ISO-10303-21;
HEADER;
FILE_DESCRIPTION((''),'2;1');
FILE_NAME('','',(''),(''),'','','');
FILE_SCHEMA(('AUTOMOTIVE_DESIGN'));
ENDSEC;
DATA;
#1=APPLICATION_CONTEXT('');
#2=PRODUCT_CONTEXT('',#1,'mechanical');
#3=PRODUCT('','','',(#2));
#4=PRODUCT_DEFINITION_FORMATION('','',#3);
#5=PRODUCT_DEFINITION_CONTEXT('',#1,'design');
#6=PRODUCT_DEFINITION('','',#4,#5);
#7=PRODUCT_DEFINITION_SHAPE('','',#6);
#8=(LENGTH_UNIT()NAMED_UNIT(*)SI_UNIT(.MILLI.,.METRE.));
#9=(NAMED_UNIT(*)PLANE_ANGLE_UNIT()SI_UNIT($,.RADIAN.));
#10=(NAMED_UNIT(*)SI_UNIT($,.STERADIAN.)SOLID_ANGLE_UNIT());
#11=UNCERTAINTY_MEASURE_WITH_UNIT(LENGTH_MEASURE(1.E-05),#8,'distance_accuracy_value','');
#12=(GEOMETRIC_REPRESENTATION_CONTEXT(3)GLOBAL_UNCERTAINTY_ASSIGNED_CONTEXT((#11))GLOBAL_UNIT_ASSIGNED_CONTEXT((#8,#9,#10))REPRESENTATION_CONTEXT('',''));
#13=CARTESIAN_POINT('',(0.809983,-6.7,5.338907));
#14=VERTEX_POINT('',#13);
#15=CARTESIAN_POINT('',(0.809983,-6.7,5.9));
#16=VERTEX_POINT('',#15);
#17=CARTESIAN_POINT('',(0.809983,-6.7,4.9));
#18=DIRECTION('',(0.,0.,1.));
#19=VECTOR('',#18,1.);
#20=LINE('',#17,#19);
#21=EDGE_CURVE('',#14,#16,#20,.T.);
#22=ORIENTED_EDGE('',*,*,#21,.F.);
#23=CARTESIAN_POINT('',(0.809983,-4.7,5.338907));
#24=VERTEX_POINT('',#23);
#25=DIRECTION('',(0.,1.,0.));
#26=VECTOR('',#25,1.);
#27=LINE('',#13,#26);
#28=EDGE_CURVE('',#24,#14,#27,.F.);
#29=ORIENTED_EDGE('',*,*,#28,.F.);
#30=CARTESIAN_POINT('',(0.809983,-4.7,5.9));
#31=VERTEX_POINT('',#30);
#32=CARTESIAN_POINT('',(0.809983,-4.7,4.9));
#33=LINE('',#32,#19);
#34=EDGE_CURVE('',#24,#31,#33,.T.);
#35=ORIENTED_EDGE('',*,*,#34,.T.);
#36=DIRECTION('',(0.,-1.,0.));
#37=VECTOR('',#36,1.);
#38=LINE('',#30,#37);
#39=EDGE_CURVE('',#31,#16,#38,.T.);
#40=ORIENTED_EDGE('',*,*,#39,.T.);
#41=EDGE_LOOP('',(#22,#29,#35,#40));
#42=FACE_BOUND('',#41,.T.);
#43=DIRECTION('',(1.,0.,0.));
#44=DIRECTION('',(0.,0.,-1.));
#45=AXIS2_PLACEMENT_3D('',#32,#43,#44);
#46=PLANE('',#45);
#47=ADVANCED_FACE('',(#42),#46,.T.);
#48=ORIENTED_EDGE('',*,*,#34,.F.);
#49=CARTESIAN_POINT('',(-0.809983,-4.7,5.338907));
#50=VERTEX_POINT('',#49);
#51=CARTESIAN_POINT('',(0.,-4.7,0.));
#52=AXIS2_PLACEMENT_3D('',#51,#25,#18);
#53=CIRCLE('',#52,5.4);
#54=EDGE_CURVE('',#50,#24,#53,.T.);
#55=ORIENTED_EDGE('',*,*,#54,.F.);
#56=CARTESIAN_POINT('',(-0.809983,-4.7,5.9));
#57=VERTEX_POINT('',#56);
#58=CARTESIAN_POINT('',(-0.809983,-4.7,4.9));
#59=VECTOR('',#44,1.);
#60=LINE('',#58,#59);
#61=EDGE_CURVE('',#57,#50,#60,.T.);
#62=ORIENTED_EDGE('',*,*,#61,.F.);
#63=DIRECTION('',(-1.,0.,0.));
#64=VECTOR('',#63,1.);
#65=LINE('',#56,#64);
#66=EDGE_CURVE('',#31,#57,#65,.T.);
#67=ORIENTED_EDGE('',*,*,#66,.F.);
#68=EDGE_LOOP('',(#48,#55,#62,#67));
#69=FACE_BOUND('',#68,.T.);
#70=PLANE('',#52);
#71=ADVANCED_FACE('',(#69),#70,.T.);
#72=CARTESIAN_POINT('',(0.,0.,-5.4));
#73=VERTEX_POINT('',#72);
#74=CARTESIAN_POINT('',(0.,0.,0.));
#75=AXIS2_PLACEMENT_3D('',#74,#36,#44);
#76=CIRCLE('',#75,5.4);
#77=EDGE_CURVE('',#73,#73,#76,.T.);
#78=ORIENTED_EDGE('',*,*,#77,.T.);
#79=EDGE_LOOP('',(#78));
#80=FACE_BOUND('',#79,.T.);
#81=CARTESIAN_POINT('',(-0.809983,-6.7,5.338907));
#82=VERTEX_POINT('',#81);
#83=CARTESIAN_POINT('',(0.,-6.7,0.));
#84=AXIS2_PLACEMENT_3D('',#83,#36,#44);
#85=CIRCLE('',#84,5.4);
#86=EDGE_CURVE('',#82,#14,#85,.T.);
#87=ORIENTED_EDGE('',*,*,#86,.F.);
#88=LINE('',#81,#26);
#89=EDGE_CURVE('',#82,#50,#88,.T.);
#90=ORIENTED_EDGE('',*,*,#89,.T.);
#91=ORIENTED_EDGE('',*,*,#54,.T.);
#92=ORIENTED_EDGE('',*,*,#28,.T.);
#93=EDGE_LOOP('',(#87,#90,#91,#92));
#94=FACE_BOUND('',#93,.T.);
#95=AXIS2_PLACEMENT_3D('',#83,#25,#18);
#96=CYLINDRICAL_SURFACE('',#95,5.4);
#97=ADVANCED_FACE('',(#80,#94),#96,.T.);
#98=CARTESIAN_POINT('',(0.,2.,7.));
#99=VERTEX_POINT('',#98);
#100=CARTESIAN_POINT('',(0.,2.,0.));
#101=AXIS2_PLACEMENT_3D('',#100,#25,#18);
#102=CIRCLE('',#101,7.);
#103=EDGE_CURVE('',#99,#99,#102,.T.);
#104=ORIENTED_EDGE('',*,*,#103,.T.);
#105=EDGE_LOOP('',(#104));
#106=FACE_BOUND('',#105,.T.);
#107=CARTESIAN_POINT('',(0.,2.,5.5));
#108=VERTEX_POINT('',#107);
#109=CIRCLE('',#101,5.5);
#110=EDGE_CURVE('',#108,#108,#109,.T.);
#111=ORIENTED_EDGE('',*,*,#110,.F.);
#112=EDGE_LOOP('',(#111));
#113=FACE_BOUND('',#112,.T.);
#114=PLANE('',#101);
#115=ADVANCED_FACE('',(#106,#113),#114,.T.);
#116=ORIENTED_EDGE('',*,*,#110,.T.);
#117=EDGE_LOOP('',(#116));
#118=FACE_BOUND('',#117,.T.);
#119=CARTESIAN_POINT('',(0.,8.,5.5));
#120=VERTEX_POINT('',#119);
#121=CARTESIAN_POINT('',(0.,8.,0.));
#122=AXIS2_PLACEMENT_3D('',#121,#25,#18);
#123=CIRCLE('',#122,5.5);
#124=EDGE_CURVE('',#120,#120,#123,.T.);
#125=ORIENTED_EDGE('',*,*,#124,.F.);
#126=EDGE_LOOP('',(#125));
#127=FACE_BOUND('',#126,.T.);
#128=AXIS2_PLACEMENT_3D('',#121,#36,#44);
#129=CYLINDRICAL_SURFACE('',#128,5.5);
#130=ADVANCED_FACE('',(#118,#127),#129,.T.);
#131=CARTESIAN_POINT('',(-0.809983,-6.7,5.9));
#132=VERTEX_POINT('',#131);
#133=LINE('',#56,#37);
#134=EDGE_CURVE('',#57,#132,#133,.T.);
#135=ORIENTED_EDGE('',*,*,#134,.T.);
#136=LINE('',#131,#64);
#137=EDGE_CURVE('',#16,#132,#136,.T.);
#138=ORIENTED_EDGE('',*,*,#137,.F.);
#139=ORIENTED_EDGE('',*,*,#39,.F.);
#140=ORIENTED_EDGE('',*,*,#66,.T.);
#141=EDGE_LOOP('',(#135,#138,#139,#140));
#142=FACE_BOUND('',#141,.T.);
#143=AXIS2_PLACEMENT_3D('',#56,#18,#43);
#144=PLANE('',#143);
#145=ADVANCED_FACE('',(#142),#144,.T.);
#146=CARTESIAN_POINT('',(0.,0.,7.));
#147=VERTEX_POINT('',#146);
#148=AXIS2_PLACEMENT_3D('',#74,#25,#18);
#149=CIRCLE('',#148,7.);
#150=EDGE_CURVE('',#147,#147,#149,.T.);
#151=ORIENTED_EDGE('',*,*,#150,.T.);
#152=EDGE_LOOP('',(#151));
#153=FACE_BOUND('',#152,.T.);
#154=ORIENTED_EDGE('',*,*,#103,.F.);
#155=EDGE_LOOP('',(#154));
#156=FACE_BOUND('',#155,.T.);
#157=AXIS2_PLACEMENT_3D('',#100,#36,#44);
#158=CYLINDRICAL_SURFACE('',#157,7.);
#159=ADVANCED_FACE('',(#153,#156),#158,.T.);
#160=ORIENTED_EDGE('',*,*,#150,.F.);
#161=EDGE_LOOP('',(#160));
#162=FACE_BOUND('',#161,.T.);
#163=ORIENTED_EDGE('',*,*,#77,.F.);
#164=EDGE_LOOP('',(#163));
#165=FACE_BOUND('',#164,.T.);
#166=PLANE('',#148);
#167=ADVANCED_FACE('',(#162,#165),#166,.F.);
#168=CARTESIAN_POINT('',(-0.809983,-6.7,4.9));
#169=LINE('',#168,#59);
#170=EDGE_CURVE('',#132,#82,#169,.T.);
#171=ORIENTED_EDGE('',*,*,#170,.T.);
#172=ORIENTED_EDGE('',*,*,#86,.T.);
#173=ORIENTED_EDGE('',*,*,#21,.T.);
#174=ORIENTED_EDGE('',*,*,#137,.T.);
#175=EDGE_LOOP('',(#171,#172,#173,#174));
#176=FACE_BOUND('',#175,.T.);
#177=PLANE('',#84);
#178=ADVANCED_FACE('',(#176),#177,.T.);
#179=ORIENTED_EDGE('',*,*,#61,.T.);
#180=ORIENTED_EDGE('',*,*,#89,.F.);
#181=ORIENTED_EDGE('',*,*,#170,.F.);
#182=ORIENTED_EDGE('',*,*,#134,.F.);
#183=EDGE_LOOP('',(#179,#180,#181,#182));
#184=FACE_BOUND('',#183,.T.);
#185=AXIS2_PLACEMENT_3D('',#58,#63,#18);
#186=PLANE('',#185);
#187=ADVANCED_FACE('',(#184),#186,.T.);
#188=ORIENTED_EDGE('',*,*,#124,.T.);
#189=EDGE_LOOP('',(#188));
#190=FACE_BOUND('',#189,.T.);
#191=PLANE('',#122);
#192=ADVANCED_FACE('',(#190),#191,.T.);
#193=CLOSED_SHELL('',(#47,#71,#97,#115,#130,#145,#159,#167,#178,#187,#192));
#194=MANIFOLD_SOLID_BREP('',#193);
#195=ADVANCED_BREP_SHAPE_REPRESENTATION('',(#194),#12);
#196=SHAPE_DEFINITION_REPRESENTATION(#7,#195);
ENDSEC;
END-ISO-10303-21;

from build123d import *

# Parameters (mm, degrees)
SKIZZE2_R                       = 7
AUFSATZ_LINEAR_AUSTRAGEN2_DEPTH = 2
SKIZZE4_R                       = 5.5
AUFSATZ_LINEAR_AUSTRAGEN3_DEPTH = 6
SKIZZE5_R                       = 5.4
AUFSATZ_LINEAR_AUSTRAGEN4_DEPTH = 6.7
SKIZZE7_W                       = 1.619965962
SKIZZE7_H                       = 1
AUFSATZ_LINEAR_AUSTRAGEN5_DEPTH = 2


with BuildPart() as part:
    # Skizze2 → Aufsatz-Linear austragen2 (new body)
    with BuildSketch(Plane(origin=(0, 0, 0), x_dir=(1, 0, 0), z_dir=(0, 1, 0))):
        with Locations(Location((0, 0, 0), (0, 0, 270))):
            Circle(SKIZZE2_R)
    extrude(amount=AUFSATZ_LINEAR_AUSTRAGEN2_DEPTH)

    # Skizze4 → Aufsatz-Linear austragen3 (add)
    with BuildSketch(Plane(origin=(0, 2, 0), x_dir=(1, 0, 0), z_dir=(0, 1, 0))):
        with Locations(Location((0, 0, 0), (0, 0, 270))):
            Circle(SKIZZE4_R)
    extrude(amount=AUFSATZ_LINEAR_AUSTRAGEN3_DEPTH)

    # Skizze5 → Aufsatz-Linear austragen4 (add)
    with BuildSketch(Plane(origin=(0, 0, 0), x_dir=(-1, 0, 0), z_dir=(0, -1, 0))):
        with Locations(Location((0, 0, 0), (0, 0, 90))):
            Circle(SKIZZE5_R)
    extrude(amount=AUFSATZ_LINEAR_AUSTRAGEN4_DEPTH)

    # Skizze7 → Aufsatz-Linear austragen5 (add)
    with BuildSketch(Plane.XZ.offset(6.7)):
        with Locations((0, 5.4)):
            Rectangle(SKIZZE7_W, SKIZZE7_H)
    extrude(amount=-AUFSATZ_LINEAR_AUSTRAGEN5_DEPTH)


solid = part.part
